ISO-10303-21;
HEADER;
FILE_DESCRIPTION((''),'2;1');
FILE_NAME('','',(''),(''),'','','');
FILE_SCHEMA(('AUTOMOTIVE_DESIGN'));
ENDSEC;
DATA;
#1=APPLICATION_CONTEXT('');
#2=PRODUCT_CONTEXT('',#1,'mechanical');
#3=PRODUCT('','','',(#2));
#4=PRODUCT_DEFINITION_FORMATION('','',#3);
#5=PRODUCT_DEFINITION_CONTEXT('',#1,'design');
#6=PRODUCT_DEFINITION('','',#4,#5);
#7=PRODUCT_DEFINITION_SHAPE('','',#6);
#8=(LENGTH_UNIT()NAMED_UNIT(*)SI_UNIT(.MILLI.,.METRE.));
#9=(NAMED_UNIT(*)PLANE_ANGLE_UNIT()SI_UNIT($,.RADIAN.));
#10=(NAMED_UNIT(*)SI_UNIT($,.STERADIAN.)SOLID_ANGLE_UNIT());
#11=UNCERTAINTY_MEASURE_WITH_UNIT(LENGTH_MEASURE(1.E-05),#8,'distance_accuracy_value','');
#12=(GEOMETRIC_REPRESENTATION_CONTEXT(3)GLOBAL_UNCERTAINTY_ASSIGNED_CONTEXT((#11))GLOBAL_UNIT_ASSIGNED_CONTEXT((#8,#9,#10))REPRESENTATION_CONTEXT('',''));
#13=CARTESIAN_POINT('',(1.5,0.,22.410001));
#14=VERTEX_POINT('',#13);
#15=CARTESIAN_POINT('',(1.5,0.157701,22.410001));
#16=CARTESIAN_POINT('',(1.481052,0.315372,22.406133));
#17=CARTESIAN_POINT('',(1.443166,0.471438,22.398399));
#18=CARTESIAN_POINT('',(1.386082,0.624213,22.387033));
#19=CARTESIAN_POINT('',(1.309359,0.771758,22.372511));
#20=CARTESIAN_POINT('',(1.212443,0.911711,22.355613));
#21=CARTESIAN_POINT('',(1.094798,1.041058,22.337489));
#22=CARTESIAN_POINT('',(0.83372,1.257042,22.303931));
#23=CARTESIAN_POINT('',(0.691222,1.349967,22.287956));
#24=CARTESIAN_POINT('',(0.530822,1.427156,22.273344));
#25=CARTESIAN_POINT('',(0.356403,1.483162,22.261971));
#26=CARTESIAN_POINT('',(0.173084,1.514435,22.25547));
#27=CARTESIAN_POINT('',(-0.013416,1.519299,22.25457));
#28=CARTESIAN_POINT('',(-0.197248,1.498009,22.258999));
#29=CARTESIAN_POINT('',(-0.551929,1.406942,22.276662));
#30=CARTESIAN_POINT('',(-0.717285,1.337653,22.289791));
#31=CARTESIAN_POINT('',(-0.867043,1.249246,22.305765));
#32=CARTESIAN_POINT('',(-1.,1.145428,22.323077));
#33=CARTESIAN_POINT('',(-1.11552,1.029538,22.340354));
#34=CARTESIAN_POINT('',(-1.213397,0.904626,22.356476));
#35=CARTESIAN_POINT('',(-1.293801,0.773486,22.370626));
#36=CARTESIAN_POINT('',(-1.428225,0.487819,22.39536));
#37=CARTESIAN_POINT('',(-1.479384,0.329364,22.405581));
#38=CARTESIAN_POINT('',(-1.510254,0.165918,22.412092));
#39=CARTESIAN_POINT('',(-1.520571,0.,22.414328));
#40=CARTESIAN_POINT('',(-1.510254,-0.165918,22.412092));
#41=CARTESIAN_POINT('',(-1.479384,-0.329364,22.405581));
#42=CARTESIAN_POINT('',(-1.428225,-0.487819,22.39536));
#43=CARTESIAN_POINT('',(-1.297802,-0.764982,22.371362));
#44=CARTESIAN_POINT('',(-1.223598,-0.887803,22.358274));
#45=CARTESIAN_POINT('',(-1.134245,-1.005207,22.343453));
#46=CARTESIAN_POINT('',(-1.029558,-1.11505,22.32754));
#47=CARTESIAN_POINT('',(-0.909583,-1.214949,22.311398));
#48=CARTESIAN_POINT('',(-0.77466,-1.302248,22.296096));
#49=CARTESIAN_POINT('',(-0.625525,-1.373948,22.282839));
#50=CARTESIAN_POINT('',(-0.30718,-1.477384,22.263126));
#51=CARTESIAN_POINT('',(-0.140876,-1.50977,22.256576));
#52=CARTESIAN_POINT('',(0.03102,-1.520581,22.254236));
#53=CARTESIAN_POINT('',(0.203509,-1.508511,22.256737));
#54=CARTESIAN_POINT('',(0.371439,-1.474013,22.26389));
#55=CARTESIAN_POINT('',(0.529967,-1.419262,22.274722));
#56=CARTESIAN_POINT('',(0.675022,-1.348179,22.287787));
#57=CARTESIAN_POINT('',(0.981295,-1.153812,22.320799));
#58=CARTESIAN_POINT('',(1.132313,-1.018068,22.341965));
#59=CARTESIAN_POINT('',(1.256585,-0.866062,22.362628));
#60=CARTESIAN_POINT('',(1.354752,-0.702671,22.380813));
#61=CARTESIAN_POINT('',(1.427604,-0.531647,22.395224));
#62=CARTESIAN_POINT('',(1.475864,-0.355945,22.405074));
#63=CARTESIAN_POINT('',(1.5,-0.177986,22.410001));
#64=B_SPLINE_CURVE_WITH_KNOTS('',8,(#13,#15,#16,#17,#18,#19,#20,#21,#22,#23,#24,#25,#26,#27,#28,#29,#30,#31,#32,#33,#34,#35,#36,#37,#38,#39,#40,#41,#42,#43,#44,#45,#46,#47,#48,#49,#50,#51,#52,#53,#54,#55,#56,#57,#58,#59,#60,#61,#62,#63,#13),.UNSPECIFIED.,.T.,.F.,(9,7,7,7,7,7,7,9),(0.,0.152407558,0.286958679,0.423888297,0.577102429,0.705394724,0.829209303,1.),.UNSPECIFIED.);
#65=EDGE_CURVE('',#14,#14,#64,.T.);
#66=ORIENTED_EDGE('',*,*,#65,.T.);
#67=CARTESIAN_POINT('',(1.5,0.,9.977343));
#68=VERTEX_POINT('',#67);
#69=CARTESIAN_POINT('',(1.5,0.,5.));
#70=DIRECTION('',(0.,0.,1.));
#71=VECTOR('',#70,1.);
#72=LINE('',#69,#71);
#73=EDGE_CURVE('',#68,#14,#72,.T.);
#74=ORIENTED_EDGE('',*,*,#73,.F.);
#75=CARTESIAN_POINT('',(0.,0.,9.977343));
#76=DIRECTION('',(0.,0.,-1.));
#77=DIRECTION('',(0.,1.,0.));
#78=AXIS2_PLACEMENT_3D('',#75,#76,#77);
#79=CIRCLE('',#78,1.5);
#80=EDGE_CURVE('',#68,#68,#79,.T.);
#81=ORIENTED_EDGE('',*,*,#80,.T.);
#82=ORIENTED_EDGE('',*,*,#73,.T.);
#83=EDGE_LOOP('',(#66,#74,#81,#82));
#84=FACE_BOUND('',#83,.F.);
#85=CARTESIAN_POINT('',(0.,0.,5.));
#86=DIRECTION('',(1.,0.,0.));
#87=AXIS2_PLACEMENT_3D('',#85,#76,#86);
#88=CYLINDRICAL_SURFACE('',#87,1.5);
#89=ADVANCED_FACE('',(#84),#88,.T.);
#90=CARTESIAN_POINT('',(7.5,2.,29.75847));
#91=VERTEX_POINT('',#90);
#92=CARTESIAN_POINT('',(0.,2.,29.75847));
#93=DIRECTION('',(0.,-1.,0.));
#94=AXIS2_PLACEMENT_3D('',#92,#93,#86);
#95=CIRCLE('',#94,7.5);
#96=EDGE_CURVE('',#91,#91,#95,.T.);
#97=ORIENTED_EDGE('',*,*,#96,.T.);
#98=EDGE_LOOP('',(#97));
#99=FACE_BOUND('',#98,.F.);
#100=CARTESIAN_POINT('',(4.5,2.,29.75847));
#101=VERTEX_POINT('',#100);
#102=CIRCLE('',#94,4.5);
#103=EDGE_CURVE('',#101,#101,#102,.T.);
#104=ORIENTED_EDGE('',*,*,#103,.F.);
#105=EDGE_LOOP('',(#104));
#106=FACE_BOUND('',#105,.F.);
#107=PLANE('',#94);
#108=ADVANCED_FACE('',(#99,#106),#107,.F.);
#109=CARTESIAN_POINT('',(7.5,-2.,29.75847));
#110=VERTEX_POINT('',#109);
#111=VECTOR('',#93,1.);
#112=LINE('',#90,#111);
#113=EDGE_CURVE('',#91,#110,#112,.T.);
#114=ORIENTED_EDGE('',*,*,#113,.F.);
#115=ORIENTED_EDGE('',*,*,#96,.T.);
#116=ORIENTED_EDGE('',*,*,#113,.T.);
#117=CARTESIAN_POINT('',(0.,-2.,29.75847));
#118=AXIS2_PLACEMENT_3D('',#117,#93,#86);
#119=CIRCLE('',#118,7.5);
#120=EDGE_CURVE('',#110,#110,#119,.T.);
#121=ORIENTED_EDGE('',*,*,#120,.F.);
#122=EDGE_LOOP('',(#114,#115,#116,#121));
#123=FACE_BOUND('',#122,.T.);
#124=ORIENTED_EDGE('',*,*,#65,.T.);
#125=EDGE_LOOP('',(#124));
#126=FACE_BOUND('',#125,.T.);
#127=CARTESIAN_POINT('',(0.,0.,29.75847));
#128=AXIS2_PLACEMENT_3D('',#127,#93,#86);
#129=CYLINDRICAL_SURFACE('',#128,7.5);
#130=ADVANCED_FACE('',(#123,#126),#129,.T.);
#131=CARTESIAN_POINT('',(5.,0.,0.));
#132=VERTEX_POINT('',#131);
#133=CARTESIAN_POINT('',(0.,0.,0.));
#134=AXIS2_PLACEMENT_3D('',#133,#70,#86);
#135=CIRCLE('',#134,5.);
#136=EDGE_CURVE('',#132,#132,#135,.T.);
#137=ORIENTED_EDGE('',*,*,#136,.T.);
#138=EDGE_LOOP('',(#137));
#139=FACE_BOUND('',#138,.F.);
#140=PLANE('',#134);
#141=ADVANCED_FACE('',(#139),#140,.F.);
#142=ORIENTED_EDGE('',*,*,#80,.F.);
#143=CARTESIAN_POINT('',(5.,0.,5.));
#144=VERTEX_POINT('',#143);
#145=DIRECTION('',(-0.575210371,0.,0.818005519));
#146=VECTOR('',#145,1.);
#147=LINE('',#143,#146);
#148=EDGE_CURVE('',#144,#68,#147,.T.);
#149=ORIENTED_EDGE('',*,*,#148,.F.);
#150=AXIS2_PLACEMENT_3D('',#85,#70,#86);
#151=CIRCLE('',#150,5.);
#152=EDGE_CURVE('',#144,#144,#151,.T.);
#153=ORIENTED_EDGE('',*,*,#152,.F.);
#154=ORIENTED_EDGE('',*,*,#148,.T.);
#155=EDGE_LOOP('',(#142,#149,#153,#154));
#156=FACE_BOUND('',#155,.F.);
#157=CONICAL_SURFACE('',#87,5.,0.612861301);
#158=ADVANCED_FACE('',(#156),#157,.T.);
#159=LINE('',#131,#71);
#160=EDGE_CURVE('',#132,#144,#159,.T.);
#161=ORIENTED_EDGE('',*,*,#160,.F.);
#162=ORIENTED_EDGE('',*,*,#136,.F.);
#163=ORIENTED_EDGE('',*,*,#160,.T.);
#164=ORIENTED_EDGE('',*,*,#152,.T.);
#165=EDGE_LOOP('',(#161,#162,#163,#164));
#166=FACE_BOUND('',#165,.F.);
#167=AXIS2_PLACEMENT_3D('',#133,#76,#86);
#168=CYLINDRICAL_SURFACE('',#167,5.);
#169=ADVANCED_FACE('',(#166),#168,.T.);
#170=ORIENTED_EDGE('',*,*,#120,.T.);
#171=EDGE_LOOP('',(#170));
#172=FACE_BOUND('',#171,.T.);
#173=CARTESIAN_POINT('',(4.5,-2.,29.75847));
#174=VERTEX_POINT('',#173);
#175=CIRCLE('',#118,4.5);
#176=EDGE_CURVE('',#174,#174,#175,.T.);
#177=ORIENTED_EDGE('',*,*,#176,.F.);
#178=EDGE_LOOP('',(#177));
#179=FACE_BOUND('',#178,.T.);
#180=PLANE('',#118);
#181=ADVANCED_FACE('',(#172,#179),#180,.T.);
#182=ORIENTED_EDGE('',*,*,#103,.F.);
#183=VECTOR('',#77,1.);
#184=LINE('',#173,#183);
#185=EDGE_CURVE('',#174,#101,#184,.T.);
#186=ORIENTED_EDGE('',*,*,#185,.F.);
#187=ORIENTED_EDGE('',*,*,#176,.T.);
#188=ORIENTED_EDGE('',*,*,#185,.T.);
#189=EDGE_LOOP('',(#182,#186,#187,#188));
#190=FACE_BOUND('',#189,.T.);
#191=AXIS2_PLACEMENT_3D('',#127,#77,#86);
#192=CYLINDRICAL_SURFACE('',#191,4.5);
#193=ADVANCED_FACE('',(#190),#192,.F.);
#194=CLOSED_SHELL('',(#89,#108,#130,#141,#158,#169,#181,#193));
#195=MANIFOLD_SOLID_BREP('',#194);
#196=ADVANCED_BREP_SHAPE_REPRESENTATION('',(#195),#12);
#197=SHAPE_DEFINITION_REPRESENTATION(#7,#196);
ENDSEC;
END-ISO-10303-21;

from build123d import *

# Parameters (mm, degrees)
F0_R     = 5
F1_DEPTH = 5
F2_R     = 1.5
F4_DEPTH = 20
F3_R     = 7.5
F3_R_2   = 4.5
F5_DEPTH = 2


with BuildPart() as f1:
    # F0 (on Top) → F1 (new body)
    with BuildSketch(Plane.XY):
        Circle(F0_R)
    extrude(amount=F1_DEPTH)

    # F2 (on face) → F4 (join)
    with BuildSketch(Plane.XY.offset(5)):
        Circle(F2_R)
    extrude(amount=F4_DEPTH)

    # F3 (on Front) → F5 (join, symmetric)
    with BuildSketch(Plane.XZ):
        with Locations((0, 29.75847)):
            Circle(F3_R)
        with Locations((0, 29.75847)):
            Circle(F3_R_2, mode=Mode.SUBTRACT)
    extrude(amount=F5_DEPTH, both=True)

    # F3 (on Front) → F6 (revolve)
    with BuildSketch(Plane.XZ):
        Polygon((5, 5), (0, 12.11049), (0, 5), align=None)
    revolve(axis=Axis((0, 0, 8.555245), (0, 0, -1)))


solid = f1.part
